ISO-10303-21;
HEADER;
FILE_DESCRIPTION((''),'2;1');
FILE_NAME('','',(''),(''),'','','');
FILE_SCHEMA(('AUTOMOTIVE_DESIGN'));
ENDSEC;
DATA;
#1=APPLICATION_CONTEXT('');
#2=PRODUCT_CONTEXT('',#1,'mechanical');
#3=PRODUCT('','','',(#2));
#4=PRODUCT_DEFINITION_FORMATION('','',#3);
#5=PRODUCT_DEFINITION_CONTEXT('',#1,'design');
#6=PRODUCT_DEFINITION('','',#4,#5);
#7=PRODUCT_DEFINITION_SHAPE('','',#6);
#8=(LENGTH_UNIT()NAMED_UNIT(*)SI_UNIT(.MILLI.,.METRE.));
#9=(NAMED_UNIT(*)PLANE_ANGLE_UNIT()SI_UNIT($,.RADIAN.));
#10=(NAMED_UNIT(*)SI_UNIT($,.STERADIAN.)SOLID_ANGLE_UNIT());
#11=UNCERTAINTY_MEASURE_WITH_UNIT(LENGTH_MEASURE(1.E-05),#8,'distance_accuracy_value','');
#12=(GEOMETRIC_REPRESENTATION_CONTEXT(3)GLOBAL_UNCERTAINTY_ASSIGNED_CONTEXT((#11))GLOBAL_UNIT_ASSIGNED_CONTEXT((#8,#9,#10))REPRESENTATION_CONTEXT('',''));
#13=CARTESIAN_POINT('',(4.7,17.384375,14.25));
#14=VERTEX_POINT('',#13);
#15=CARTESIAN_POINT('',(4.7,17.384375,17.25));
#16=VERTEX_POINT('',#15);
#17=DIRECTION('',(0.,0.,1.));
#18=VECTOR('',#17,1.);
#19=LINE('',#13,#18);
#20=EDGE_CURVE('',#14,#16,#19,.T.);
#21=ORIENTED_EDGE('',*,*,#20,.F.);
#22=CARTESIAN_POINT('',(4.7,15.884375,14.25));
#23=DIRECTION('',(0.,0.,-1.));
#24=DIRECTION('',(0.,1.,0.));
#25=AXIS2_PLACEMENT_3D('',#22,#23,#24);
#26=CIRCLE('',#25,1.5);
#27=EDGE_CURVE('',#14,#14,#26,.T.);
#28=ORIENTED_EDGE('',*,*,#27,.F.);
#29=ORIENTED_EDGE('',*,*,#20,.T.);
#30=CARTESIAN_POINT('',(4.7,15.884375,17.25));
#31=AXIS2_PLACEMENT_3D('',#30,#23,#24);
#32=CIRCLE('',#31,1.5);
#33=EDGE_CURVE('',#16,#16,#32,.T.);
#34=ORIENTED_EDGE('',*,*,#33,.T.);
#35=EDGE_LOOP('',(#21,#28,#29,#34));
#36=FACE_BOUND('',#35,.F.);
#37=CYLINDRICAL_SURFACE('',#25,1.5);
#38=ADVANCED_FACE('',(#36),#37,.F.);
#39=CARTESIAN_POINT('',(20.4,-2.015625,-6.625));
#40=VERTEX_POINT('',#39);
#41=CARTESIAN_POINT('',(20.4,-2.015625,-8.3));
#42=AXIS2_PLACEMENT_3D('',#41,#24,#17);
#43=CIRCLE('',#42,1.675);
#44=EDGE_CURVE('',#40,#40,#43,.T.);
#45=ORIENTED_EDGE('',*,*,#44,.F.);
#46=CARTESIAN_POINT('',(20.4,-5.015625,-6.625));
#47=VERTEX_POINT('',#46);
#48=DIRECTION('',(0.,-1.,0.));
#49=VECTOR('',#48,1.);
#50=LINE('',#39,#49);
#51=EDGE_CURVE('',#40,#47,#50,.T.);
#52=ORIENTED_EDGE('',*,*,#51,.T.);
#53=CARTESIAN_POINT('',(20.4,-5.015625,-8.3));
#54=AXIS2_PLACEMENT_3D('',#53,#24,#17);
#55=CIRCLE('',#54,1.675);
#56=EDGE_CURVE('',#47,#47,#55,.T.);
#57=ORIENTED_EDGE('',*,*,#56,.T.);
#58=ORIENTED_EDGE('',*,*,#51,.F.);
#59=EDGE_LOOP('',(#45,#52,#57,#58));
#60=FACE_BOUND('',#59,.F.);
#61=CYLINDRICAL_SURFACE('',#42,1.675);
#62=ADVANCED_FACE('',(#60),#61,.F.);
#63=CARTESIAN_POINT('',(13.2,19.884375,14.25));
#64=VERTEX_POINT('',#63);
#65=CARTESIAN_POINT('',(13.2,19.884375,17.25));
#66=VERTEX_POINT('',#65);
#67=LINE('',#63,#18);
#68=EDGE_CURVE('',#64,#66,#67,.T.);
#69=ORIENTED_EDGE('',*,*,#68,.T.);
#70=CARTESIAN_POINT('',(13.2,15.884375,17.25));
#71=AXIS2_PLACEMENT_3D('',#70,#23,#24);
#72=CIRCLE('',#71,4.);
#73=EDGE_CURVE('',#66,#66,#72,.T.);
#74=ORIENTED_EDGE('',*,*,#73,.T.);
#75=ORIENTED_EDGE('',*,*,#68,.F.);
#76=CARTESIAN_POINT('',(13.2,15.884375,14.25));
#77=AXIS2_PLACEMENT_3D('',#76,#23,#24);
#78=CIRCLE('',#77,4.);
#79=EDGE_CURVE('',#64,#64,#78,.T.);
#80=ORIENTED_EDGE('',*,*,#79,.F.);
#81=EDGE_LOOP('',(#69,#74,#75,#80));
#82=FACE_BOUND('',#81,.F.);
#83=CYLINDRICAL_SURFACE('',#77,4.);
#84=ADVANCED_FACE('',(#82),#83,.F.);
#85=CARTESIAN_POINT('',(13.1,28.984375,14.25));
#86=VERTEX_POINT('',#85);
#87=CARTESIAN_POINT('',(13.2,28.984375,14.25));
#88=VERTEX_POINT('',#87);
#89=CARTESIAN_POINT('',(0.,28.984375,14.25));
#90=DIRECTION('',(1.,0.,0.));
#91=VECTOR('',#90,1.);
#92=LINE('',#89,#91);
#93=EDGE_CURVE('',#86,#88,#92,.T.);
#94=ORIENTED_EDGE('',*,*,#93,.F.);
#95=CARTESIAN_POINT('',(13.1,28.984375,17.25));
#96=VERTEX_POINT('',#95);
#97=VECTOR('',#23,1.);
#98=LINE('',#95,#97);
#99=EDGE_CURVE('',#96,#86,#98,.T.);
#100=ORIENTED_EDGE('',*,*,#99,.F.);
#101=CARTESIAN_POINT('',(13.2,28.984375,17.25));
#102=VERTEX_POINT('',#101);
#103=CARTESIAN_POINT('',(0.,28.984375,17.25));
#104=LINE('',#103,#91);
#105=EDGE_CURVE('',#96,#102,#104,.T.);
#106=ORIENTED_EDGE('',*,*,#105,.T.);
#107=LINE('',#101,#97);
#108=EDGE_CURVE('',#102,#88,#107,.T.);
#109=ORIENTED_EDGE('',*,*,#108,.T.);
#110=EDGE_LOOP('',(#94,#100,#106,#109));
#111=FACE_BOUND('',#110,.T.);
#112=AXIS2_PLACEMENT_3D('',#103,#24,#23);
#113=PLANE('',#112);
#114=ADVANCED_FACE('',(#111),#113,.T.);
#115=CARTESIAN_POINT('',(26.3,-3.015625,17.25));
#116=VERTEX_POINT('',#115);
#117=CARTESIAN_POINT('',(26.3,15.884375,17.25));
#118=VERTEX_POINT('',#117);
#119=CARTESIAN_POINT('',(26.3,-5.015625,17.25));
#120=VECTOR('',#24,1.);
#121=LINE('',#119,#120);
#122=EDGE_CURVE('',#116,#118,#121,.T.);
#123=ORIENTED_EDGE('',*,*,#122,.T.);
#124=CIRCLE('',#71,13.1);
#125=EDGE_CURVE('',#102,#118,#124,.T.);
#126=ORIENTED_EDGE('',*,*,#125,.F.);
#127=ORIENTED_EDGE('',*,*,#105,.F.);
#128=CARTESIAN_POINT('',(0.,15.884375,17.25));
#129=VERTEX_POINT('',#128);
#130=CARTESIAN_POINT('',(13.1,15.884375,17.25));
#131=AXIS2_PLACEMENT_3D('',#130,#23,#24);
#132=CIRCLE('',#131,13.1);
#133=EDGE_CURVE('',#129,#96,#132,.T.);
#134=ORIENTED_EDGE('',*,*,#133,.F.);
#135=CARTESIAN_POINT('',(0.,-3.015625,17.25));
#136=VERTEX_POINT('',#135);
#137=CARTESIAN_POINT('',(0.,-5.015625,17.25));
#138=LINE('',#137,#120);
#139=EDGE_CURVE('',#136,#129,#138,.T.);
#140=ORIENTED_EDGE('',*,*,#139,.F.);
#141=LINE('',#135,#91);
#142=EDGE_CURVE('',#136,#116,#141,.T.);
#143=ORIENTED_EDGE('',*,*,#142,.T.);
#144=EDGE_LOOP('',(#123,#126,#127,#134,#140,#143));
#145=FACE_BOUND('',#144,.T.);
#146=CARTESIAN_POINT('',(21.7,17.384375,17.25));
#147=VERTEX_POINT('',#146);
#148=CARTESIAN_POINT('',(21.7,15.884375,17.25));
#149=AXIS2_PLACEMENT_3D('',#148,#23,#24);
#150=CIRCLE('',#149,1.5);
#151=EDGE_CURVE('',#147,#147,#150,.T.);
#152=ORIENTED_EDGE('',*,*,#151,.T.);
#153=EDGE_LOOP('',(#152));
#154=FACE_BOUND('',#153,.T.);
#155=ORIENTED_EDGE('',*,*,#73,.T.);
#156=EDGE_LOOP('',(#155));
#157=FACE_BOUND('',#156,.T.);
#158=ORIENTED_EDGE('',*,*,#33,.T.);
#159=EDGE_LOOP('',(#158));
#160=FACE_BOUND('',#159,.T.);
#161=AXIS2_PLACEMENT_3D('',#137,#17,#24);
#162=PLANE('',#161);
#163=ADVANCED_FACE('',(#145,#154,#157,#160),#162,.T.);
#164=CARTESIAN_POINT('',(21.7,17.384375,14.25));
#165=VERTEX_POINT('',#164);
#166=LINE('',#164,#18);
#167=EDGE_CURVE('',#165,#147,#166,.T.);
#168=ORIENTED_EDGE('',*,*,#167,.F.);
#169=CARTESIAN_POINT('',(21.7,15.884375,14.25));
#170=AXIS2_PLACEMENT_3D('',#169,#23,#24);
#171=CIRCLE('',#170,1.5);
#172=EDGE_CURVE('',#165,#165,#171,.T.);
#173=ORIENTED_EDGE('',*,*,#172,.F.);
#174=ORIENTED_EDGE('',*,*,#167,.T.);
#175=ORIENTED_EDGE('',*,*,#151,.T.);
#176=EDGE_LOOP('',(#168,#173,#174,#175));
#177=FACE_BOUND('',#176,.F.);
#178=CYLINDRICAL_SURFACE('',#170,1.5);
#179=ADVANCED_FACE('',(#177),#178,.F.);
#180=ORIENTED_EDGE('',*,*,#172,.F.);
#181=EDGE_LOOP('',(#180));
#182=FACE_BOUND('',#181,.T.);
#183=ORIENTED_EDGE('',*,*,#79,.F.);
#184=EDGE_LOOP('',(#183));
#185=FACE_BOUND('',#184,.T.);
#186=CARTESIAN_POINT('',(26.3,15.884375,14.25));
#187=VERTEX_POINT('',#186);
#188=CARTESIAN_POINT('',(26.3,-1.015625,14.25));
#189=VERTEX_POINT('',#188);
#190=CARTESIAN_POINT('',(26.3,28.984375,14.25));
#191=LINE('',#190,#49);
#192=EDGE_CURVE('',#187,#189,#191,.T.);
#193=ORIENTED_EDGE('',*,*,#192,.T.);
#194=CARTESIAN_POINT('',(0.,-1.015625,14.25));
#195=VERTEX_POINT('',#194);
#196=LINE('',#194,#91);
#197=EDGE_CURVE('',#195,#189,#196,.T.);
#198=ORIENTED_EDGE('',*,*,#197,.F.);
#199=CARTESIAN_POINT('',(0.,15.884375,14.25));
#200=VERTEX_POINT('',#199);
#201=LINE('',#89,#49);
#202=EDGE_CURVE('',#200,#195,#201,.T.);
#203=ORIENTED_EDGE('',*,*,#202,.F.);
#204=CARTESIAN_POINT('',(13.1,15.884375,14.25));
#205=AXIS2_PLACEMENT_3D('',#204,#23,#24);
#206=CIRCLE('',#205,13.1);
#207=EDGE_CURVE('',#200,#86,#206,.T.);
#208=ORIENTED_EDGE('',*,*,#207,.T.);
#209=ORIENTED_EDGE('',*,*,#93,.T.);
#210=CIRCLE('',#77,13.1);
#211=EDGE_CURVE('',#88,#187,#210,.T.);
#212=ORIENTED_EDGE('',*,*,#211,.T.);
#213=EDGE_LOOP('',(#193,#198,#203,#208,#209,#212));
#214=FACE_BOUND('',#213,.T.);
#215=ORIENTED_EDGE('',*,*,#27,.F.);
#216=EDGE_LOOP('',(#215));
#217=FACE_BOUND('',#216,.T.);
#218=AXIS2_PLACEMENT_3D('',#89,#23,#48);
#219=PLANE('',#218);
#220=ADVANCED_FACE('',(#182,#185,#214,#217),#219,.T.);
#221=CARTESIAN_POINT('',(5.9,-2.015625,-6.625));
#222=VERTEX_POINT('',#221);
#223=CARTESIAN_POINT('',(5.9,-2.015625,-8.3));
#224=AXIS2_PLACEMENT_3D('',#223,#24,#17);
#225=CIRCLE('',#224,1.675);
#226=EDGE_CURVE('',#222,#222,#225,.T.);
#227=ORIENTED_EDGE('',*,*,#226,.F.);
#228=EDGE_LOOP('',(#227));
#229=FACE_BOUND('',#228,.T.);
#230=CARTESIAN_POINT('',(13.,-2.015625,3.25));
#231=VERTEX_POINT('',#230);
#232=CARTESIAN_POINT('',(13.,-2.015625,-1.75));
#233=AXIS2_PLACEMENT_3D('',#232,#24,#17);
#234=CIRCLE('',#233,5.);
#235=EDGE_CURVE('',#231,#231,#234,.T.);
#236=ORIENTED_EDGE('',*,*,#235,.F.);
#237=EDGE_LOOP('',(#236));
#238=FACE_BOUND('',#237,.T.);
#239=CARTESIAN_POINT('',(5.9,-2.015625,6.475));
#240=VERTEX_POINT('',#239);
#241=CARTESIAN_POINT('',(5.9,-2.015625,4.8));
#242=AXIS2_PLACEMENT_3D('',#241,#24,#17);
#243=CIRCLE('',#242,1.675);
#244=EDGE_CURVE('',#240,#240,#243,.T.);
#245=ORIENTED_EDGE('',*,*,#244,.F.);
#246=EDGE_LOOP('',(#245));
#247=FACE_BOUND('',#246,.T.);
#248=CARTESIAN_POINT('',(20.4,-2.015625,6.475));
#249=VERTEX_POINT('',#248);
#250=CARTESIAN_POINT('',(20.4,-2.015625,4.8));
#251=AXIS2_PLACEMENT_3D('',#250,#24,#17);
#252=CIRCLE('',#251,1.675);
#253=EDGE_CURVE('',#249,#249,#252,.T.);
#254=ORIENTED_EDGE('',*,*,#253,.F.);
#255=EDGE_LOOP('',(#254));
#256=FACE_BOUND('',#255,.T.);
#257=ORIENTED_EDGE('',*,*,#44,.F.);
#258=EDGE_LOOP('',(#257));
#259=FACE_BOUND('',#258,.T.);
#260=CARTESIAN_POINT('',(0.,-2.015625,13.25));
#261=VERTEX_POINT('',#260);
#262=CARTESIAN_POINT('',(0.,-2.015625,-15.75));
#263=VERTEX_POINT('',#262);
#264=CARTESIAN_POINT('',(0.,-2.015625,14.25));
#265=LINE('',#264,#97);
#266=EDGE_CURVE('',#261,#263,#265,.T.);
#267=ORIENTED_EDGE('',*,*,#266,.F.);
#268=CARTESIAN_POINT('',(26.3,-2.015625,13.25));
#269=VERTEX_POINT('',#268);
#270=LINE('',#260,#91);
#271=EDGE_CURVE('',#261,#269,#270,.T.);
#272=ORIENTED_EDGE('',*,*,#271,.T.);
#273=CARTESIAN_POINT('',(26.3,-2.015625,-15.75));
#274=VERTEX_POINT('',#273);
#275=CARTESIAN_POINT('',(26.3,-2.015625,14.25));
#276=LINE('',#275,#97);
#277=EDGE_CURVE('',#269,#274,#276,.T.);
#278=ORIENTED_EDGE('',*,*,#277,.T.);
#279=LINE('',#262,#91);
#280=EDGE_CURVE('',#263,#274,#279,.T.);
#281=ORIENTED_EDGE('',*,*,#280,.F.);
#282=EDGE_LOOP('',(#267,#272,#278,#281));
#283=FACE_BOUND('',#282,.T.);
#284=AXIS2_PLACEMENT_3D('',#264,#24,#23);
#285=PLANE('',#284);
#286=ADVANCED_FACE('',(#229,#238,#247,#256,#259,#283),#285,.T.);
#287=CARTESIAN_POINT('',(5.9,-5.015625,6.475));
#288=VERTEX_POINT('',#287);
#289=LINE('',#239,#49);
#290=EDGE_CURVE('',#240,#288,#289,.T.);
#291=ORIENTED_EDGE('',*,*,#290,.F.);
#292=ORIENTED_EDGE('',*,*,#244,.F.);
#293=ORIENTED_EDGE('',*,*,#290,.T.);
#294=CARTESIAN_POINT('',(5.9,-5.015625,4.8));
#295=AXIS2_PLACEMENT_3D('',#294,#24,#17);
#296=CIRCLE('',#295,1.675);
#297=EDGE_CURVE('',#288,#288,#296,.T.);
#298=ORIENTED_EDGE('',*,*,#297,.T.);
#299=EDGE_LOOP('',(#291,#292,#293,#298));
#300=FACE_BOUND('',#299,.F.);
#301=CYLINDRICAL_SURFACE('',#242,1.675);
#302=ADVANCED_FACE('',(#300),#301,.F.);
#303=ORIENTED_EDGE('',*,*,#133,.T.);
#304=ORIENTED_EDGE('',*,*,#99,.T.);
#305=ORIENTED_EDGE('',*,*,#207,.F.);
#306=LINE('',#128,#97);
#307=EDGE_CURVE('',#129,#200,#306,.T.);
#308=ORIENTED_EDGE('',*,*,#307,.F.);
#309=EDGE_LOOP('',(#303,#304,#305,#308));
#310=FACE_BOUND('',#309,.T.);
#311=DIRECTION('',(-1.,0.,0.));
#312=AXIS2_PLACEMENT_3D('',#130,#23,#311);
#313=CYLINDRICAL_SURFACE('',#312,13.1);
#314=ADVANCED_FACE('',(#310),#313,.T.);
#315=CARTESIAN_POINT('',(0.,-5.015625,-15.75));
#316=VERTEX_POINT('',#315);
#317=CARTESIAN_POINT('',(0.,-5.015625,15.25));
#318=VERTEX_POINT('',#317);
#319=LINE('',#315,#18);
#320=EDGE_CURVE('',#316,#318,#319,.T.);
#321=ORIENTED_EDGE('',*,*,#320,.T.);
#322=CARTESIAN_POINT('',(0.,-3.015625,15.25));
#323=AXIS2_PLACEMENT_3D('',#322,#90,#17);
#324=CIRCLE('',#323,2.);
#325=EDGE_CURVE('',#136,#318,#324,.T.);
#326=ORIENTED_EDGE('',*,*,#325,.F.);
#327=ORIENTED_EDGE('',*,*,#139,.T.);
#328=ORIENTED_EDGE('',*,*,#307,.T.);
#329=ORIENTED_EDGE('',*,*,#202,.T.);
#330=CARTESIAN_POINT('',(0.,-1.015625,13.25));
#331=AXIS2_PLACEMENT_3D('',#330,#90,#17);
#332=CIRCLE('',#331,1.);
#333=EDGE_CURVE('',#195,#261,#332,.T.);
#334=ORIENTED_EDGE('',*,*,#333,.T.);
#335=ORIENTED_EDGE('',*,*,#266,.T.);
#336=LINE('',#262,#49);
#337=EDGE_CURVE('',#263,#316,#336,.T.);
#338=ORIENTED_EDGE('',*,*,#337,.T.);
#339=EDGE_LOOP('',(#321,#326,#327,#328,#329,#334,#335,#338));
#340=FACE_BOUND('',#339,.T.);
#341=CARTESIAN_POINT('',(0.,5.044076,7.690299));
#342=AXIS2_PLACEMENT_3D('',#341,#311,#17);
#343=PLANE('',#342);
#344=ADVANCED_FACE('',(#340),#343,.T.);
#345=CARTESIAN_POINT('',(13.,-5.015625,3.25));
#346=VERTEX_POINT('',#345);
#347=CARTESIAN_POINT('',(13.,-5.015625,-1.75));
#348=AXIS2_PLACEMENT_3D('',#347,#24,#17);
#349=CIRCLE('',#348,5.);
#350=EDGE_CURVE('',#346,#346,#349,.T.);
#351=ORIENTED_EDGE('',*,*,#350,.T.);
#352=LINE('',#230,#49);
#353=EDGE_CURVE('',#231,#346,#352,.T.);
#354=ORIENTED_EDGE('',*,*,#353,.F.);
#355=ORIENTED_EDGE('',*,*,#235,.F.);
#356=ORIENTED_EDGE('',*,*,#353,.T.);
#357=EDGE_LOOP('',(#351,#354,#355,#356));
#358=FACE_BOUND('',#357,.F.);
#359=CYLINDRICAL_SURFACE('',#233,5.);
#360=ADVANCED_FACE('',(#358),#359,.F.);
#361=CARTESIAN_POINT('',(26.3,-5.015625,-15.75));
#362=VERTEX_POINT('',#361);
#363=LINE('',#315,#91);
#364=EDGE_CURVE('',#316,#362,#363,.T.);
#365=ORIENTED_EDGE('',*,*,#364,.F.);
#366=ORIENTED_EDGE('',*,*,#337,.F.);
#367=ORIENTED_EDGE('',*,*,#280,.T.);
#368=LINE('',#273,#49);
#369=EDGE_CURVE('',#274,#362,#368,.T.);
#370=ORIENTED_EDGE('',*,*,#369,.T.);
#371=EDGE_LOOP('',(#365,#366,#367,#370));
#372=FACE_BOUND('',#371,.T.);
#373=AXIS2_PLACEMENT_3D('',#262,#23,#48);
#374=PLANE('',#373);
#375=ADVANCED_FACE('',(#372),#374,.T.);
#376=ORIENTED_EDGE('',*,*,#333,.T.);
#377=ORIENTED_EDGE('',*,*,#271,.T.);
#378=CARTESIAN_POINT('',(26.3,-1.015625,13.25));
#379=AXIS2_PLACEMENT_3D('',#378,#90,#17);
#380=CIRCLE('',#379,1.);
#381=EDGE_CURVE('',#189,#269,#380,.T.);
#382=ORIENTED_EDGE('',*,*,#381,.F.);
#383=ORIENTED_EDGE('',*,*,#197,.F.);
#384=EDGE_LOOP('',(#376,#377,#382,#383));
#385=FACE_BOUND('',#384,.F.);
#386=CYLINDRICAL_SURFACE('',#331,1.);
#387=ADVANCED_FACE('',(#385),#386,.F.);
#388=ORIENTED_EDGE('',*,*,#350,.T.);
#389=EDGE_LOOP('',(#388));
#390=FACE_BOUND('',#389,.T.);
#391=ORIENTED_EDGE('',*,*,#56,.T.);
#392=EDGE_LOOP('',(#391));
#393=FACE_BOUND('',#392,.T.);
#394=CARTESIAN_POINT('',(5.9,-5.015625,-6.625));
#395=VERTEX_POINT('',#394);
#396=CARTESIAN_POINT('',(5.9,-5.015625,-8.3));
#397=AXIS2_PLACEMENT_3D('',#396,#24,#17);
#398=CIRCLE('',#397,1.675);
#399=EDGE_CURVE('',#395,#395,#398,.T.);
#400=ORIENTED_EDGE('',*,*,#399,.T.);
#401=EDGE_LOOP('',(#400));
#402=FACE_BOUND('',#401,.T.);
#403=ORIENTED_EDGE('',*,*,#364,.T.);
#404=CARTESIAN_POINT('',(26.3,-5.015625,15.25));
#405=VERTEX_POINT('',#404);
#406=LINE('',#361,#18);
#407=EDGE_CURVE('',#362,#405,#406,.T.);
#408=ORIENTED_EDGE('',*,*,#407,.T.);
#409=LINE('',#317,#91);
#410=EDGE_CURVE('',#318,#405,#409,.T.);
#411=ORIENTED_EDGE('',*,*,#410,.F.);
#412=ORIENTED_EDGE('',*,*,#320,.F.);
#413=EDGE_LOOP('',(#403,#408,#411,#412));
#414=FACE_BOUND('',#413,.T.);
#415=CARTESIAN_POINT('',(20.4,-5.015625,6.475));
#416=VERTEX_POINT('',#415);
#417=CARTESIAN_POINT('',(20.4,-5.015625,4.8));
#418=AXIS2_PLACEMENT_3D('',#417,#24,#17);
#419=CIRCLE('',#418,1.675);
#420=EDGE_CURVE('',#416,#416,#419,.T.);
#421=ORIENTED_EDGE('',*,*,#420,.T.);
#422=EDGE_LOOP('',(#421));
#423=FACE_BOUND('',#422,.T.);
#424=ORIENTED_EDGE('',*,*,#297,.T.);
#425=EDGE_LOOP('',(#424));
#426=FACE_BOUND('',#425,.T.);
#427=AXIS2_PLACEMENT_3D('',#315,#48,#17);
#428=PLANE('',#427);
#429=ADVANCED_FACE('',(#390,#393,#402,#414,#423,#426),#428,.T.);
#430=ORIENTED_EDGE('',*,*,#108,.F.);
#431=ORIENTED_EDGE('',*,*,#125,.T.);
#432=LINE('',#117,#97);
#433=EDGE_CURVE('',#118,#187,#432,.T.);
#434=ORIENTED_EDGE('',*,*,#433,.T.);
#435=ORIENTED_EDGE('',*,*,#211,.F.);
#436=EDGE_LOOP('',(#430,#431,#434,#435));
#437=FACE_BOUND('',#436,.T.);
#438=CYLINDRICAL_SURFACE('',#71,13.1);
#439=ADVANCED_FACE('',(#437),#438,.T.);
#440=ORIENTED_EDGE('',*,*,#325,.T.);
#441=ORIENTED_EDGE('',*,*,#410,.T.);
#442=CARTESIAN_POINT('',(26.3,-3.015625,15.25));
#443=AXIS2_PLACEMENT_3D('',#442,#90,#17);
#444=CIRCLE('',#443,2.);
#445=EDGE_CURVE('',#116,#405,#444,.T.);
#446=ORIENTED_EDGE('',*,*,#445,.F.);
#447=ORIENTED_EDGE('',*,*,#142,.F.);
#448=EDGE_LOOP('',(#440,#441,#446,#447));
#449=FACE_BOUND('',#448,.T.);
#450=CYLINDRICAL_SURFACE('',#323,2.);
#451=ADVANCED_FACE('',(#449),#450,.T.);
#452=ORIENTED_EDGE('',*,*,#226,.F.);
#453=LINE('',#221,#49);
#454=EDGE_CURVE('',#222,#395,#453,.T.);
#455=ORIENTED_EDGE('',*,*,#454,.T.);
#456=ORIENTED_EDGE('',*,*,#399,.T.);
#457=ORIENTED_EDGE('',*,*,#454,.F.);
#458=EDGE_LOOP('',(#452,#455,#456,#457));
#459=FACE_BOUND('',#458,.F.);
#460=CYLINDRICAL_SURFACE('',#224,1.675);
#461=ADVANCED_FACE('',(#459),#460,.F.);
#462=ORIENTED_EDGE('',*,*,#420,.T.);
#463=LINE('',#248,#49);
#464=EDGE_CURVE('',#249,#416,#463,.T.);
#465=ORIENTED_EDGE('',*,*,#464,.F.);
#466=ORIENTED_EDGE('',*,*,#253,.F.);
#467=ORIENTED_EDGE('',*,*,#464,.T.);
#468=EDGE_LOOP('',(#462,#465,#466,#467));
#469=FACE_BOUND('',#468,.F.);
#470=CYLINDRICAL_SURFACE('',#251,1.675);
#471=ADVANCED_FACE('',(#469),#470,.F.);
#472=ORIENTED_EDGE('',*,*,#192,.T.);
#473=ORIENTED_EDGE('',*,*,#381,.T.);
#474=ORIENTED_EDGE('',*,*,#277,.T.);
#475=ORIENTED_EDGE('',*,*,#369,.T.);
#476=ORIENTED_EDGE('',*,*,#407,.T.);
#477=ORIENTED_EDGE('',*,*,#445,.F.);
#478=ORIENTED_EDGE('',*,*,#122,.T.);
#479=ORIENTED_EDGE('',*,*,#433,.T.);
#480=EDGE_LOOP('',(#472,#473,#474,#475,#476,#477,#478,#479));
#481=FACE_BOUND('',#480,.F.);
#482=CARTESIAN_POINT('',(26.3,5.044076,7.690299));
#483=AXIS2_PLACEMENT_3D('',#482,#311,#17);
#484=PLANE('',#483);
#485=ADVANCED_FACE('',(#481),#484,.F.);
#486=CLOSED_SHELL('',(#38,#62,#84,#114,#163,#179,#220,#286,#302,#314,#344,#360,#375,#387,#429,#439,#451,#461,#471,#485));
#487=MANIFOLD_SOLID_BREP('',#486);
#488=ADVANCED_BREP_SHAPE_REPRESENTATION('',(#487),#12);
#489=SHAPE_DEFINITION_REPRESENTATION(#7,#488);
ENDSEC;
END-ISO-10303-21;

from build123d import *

# Parameters (mm, degrees)
SALIENTE_EXTRUIR1_DEPTH = 26.3
REDONDEO1_R             = 1
REDONDEO2_R             = 2
REDONDEO3_R             = 13.1
CROQUIS2_R              = 5
CROQUIS2_R_2            = 1.675
CORTAR_EXTRUIR1_DEPTH   = 45.161663239
CROQUIS3_R              = 4
CROQUIS3_R_2            = 1.5
CORTAR_EXTRUIR2_DEPTH   = 50.313121927


with BuildPart() as part:
    # Croquis1 → Saliente-Extruir1 (new body)
    with BuildSketch(Plane(origin=(0, 0, 0), x_dir=(0, 0, -1), z_dir=(1, 0, 0))):
        Polygon((-17.25, 28.984375), (-14.25, 28.984375), (-14.25, -2.015625), (15.75, -2.015625), (15.75, -5.015625), (-17.25, -5.015625), align=None)
    extrude(amount=SALIENTE_EXTRUIR1_DEPTH)

    # Redondeo1
    redondeo1_edges = [part.edges().sort_by_distance(p)[0] for p in [
        (13.15, -2.015625, 14.25),
    ]]
    fillet(redondeo1_edges, radius=REDONDEO1_R)

    # Redondeo2
    redondeo2_edges = [part.edges().sort_by_distance(p)[0] for p in [
        (13.15, -5.015625, 17.25),
    ]]
    fillet(redondeo2_edges, radius=REDONDEO2_R)

    # Redondeo3
    redondeo3_edges = [part.edges().sort_by_distance(p)[0] for p in [
        (26.3, 28.984375, 15.75),
        (0, 28.984375, 15.75),
    ]]
    fillet(redondeo3_edges, radius=REDONDEO3_R)

    # Croquis2 → Cortar-Extruir1 (cut, through all)
    with BuildSketch(Plane(origin=(0, -2.015625, 0), x_dir=(1, 0, 0), z_dir=(0, 1, 0))):
        with Locations(Location((13, 1.75, 0), (0, 0, 270))):
            Circle(CROQUIS2_R)
        with Locations(Location((5.9, 8.3, 0), (0, 0, 270))):
            Circle(CROQUIS2_R_2)
        with Locations(Location((20.4, 8.3, 0), (0, 0, 270))):
            Circle(CROQUIS2_R_2)
        with Locations(Location((20.4, -4.8, 0), (0, 0, 270))):
            Circle(CROQUIS2_R_2)
        with Locations(Location((5.9, -4.8, 0), (0, 0, 270))):
            Circle(CROQUIS2_R_2)
    extrude(amount=-CORTAR_EXTRUIR1_DEPTH, mode=Mode.SUBTRACT)

    # Croquis3 → Cortar-Extruir2 (cut, through all)
    with BuildSketch(Plane(origin=(0, 0, 14.25), x_dir=(-1, 0, 0), z_dir=(0, 0, -1))):
        with Locations(Location((-13.2, 15.884375, 0), (0, 0, 90))):
            Circle(CROQUIS3_R)
        with Locations(Location((-21.7, 15.884375, 0), (0, 0, 90))):
            Circle(CROQUIS3_R_2)
        with Locations(Location((-4.7, 15.884375, 0), (0, 0, 90))):
            Circle(CROQUIS3_R_2)
    extrude(amount=-CORTAR_EXTRUIR2_DEPTH, mode=Mode.SUBTRACT)


solid = part.part
